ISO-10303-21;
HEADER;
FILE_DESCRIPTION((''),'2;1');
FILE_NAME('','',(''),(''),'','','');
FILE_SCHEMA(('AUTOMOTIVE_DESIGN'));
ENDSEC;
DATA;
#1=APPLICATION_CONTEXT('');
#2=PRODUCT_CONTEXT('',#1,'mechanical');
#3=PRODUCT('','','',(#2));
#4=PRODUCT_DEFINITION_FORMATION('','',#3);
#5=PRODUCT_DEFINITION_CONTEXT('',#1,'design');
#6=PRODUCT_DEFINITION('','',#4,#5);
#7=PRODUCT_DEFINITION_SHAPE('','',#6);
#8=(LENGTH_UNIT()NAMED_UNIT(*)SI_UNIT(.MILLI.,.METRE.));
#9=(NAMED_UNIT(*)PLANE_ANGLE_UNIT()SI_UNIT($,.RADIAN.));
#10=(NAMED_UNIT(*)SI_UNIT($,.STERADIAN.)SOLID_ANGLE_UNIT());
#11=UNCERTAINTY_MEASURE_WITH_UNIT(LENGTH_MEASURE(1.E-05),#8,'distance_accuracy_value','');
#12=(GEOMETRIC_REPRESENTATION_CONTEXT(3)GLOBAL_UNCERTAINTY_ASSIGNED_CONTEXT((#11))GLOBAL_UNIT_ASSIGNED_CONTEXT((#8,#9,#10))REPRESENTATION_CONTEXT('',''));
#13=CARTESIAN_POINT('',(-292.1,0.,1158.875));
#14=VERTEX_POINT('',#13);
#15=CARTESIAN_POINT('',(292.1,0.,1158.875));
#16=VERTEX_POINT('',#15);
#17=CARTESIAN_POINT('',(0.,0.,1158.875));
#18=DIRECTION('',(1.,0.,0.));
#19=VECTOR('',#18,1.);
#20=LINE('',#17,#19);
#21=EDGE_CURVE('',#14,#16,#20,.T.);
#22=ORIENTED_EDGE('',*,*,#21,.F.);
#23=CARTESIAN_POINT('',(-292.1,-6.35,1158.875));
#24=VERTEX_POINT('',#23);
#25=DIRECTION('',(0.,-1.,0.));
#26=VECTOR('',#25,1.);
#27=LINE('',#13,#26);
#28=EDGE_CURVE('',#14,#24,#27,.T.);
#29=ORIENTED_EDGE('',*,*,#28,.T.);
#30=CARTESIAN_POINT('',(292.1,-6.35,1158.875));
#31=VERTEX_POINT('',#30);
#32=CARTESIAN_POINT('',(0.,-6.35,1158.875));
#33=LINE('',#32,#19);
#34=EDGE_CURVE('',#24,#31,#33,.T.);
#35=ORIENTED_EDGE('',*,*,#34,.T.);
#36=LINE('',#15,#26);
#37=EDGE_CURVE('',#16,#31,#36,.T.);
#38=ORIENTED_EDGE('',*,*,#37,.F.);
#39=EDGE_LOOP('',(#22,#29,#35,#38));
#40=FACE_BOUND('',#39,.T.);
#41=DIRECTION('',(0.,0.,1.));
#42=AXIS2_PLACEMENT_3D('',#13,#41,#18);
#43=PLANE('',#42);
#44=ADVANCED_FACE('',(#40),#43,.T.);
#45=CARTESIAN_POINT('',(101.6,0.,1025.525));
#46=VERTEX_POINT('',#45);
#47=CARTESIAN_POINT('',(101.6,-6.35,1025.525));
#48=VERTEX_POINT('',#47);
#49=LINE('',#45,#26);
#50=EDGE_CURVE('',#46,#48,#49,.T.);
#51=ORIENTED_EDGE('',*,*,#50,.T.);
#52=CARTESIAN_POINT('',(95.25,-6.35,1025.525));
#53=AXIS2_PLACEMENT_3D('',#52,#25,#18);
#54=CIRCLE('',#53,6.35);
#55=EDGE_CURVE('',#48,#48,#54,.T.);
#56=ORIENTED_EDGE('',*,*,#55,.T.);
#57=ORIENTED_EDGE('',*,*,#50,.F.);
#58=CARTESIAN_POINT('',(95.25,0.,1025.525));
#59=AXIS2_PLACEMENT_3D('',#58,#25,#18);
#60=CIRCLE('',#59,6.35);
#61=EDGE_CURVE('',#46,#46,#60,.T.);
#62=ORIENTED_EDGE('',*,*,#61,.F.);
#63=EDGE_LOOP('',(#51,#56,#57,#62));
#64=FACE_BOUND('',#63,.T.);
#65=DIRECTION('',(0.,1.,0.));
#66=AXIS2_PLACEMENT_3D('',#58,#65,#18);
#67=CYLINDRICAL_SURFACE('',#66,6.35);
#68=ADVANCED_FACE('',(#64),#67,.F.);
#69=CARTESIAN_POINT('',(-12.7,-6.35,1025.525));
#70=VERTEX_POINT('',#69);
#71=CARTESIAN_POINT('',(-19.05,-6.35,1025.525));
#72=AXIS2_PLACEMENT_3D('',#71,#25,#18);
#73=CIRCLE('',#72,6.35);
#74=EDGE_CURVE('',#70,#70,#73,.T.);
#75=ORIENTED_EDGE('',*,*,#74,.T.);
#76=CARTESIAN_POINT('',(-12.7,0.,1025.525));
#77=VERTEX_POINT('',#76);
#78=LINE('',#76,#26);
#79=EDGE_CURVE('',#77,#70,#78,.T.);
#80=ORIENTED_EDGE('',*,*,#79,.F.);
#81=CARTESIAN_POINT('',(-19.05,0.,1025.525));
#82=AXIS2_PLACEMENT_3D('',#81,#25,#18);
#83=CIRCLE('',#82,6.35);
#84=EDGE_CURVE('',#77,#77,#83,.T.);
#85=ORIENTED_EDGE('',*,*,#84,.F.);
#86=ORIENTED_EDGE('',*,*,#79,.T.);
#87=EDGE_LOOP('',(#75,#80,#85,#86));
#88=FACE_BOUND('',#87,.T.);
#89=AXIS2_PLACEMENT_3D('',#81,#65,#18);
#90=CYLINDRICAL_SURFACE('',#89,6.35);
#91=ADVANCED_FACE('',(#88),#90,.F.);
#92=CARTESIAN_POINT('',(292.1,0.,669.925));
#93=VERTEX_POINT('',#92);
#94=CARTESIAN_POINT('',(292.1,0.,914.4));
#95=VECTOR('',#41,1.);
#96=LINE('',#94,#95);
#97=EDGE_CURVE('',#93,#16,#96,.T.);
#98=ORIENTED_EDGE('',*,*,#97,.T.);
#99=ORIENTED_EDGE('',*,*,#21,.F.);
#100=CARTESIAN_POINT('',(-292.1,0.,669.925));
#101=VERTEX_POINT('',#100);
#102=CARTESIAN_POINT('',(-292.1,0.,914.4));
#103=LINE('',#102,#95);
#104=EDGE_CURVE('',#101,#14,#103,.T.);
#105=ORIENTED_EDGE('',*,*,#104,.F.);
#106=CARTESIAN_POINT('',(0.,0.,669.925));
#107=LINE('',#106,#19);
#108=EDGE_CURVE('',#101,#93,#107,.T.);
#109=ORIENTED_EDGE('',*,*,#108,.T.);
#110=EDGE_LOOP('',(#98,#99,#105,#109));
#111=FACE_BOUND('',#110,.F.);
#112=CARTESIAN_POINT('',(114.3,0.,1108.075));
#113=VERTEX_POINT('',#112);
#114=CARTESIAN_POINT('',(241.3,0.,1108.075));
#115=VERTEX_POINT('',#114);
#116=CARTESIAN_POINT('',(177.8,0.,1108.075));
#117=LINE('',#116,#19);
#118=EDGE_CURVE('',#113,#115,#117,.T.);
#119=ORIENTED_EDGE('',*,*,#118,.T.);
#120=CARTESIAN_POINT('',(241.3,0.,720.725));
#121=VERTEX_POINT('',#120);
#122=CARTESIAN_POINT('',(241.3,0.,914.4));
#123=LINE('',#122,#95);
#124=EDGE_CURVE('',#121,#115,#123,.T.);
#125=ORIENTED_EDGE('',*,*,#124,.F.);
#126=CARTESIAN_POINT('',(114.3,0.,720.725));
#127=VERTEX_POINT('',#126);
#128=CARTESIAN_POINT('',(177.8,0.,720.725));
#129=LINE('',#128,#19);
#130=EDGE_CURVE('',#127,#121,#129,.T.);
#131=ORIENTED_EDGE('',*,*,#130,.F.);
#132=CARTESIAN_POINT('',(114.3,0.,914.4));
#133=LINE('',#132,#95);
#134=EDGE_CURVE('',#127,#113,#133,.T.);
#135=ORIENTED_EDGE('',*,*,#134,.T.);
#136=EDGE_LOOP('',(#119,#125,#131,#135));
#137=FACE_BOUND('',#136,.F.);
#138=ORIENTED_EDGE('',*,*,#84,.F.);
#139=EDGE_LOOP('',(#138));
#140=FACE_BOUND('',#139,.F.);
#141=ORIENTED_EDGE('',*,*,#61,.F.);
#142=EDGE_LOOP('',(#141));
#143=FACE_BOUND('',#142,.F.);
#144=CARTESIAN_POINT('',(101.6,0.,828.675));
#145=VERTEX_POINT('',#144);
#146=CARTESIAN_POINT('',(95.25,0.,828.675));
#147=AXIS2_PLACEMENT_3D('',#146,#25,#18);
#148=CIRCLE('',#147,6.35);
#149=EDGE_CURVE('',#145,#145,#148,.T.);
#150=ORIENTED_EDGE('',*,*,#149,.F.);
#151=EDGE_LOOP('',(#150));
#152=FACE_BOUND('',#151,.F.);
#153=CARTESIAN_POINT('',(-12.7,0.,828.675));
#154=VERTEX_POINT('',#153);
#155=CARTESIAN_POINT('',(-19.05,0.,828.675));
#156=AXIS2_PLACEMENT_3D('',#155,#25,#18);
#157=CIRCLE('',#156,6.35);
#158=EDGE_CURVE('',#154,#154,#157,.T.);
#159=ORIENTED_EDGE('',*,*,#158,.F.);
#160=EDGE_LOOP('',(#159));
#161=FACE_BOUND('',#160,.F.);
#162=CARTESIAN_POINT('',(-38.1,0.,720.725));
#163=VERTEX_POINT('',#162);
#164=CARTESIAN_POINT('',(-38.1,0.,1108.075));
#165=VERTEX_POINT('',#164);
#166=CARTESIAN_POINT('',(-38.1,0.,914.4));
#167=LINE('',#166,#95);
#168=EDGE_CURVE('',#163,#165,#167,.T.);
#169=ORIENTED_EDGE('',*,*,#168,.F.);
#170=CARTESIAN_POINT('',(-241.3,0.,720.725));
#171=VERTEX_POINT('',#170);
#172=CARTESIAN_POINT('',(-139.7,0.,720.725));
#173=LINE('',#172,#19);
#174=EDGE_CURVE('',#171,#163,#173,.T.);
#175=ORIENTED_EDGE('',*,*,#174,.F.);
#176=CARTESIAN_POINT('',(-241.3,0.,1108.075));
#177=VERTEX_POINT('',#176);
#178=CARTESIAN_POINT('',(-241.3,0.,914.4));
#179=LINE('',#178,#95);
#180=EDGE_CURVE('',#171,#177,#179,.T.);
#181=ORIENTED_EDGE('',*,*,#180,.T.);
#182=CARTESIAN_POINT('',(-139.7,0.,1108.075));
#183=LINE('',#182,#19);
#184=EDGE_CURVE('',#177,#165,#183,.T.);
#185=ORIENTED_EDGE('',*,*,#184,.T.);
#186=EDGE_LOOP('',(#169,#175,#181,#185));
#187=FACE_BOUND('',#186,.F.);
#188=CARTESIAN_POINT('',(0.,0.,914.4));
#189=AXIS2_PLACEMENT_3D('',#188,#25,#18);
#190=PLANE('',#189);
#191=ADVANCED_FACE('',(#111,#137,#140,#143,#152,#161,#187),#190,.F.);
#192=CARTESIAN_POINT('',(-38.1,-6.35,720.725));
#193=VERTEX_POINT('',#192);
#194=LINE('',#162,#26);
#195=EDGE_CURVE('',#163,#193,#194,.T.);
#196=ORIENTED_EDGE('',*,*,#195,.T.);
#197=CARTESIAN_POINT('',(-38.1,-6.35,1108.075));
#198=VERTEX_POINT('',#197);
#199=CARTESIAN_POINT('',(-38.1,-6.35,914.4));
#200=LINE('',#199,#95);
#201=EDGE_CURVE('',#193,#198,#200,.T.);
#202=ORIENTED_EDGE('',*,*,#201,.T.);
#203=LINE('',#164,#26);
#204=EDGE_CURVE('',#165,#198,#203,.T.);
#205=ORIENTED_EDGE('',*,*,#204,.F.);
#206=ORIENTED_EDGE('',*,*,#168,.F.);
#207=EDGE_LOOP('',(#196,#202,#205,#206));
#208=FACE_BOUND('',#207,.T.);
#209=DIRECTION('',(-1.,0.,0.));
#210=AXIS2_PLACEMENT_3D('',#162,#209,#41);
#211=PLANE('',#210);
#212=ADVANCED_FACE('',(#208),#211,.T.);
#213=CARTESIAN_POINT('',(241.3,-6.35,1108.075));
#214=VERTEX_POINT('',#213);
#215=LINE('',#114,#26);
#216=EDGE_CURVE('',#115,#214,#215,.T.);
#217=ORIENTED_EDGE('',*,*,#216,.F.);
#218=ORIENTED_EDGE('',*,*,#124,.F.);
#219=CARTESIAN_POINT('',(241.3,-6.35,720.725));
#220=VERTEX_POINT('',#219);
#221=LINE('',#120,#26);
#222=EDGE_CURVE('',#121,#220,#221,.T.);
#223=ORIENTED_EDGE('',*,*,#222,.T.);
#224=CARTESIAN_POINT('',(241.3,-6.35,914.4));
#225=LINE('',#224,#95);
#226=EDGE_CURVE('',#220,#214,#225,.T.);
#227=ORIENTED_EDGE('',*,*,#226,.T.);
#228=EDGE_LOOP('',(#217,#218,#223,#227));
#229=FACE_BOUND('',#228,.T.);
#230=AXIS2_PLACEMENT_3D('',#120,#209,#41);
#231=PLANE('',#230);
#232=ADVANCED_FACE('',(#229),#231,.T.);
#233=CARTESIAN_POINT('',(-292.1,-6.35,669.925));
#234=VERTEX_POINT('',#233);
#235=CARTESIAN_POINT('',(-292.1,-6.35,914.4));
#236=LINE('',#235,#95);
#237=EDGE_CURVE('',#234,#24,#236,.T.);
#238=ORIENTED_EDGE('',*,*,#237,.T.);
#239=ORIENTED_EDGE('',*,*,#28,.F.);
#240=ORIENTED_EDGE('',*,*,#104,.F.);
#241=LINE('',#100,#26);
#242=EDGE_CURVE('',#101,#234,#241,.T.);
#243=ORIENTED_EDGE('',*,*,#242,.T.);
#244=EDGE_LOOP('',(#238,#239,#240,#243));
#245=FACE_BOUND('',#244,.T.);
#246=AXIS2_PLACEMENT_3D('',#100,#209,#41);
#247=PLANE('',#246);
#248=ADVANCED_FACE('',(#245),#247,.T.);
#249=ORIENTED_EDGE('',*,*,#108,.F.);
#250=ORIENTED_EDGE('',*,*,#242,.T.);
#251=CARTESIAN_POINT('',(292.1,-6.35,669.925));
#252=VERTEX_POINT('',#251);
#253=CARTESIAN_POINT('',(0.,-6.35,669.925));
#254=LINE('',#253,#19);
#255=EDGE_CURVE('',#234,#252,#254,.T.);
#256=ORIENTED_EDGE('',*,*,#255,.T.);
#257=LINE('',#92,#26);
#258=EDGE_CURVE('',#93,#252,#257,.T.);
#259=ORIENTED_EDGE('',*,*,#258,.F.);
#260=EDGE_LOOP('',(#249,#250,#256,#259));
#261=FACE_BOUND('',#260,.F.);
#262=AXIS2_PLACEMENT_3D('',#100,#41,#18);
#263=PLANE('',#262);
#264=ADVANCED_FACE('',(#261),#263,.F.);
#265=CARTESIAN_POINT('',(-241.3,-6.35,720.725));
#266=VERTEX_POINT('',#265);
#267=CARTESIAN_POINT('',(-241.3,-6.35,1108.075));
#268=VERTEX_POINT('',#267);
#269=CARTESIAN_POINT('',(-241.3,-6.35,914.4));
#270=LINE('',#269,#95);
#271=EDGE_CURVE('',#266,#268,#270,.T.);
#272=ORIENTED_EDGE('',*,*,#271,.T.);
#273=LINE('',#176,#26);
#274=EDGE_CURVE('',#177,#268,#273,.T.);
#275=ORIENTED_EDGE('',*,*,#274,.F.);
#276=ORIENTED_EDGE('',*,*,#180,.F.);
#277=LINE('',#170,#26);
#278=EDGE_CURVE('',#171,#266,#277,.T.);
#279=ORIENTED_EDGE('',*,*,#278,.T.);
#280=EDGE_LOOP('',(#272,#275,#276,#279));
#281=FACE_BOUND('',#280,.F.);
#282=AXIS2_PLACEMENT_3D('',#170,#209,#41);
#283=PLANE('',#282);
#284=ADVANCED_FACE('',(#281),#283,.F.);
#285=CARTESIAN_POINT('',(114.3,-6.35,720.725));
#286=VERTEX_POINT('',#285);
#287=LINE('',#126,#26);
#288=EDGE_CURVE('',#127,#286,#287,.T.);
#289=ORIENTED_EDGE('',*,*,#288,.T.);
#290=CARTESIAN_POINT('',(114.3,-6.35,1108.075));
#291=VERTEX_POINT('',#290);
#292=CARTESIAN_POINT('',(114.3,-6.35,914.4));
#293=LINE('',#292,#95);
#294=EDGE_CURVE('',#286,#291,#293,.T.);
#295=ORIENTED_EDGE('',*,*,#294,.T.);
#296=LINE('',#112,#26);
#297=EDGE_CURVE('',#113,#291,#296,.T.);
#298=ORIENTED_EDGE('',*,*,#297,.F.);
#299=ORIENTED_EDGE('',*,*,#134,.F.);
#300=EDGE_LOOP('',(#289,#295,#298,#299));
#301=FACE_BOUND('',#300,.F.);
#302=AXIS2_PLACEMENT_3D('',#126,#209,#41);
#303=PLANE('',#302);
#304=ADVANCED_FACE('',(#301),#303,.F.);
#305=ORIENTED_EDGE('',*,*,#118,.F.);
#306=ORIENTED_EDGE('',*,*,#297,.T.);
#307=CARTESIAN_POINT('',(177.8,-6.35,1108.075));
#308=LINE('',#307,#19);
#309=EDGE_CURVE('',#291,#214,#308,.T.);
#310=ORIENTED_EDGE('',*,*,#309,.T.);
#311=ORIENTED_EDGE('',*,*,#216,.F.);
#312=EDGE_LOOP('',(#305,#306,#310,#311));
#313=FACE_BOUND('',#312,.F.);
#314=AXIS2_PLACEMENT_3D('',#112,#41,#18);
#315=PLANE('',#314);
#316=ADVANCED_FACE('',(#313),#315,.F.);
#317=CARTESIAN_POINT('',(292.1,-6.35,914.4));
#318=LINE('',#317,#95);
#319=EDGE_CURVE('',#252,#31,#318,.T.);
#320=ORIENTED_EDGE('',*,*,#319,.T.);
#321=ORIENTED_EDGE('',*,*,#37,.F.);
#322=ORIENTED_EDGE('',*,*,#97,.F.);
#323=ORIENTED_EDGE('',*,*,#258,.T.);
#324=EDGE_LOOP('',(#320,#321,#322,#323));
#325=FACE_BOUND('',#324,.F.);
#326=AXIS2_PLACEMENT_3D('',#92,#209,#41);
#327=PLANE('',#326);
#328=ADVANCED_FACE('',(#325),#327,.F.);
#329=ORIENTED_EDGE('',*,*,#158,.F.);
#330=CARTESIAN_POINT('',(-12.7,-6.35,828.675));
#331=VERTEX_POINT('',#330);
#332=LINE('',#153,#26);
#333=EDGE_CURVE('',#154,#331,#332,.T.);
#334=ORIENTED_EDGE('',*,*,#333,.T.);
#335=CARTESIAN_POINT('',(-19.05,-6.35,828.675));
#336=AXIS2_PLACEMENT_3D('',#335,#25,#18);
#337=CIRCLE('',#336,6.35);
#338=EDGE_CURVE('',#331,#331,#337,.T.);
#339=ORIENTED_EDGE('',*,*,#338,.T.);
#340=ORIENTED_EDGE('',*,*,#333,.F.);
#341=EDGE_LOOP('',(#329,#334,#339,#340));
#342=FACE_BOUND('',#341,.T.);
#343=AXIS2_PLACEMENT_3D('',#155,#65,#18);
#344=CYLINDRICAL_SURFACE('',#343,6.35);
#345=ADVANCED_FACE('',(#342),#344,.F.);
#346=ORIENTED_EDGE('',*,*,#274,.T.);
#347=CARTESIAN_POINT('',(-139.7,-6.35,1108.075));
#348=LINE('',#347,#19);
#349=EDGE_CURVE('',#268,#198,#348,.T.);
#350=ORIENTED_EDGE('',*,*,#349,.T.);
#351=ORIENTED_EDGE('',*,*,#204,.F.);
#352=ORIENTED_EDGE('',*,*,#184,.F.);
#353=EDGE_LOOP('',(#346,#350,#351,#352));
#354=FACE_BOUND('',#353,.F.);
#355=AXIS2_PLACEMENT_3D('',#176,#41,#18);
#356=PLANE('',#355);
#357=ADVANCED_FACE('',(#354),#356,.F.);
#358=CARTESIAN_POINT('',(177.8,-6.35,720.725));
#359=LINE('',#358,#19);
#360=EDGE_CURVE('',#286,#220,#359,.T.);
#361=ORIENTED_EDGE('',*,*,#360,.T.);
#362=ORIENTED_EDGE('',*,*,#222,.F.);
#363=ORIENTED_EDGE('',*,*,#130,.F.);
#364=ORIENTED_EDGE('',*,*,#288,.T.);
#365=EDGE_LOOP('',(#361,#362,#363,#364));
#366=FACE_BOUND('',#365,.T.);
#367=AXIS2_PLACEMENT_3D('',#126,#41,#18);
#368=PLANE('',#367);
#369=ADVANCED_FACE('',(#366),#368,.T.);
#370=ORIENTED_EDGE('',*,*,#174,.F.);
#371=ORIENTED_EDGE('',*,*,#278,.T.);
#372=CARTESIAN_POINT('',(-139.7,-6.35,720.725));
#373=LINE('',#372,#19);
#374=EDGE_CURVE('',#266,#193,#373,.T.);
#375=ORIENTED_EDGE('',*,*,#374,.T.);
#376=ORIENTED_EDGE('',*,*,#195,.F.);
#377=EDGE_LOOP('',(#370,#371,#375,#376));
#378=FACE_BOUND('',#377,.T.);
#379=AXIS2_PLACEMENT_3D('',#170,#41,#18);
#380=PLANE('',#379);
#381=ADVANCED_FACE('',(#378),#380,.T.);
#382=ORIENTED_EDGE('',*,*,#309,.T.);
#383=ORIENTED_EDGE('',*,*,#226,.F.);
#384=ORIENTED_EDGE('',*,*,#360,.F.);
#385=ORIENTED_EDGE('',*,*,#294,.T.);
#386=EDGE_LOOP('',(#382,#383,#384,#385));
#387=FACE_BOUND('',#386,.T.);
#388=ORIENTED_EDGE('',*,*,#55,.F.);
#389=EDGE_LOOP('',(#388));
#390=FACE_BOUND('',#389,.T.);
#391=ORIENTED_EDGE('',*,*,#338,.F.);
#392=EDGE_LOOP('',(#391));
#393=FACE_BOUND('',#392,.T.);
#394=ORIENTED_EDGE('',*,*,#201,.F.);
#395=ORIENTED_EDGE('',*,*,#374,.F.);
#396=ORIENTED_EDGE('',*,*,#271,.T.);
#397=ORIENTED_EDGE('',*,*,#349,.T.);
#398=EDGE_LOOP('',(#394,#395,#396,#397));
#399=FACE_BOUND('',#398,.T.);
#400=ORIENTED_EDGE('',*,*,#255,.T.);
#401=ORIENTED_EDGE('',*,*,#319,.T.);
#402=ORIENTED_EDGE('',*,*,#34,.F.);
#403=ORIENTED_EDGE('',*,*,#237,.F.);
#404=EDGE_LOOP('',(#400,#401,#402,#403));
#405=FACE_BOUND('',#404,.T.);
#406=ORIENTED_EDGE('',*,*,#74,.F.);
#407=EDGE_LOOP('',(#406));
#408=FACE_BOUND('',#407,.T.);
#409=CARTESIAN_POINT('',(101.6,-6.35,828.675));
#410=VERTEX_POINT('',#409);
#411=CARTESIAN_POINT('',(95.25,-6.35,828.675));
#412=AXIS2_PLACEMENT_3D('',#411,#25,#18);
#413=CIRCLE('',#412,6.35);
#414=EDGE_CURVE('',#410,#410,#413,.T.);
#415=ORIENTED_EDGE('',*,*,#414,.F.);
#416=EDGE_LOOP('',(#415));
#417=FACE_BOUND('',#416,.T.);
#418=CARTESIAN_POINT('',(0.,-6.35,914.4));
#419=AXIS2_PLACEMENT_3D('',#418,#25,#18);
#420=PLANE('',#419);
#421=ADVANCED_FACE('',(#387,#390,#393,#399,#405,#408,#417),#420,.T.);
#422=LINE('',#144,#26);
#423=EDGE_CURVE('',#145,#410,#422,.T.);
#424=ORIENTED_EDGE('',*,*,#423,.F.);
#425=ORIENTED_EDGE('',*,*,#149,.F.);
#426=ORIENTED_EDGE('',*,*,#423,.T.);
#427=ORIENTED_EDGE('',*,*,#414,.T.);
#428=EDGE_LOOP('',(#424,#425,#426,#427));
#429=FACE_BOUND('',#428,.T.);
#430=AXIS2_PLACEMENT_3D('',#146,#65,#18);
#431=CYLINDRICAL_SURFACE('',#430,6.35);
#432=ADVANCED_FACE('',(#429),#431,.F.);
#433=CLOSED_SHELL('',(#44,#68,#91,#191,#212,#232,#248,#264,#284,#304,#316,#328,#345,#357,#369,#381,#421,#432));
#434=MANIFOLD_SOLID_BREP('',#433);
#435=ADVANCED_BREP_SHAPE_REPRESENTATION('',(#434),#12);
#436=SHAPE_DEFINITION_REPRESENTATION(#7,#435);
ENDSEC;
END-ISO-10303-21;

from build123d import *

# Parameters (mm, degrees)
SKETCH003_W   = 584.2
SKETCH003_H   = 488.95
SKETCH003_R   = 6.35
SKETCH003_W_2 = 127
SKETCH003_H_2 = 387.35
SKETCH003_W_3 = 203.2
PAD010_DEPTH  = 6.35


with BuildPart() as part:
    # Sketch003 → Pad010 (new body)
    with BuildSketch(Plane(origin=(0, 0, 914.4), x_dir=(1, 0, 0), z_dir=(0, -1, 0))):
        Rectangle(SKETCH003_W, SKETCH003_H)
        with Locations((-19.05, 111.125)):
            Circle(SKETCH003_R, mode=Mode.SUBTRACT)
        with Locations((95.25, 111.125)):
            Circle(SKETCH003_R, mode=Mode.SUBTRACT)
        with Locations((-19.05, -85.725)):
            Circle(SKETCH003_R, mode=Mode.SUBTRACT)
        with Locations((95.25, -85.725)):
            Circle(SKETCH003_R, mode=Mode.SUBTRACT)
        with Locations((177.8, 0)):
            Rectangle(SKETCH003_W_2, SKETCH003_H_2, mode=Mode.SUBTRACT)
        with Locations((-139.7, 0)):
            Rectangle(SKETCH003_W_3, SKETCH003_H_2, mode=Mode.SUBTRACT)
    extrude(amount=PAD010_DEPTH)


solid = part.part
